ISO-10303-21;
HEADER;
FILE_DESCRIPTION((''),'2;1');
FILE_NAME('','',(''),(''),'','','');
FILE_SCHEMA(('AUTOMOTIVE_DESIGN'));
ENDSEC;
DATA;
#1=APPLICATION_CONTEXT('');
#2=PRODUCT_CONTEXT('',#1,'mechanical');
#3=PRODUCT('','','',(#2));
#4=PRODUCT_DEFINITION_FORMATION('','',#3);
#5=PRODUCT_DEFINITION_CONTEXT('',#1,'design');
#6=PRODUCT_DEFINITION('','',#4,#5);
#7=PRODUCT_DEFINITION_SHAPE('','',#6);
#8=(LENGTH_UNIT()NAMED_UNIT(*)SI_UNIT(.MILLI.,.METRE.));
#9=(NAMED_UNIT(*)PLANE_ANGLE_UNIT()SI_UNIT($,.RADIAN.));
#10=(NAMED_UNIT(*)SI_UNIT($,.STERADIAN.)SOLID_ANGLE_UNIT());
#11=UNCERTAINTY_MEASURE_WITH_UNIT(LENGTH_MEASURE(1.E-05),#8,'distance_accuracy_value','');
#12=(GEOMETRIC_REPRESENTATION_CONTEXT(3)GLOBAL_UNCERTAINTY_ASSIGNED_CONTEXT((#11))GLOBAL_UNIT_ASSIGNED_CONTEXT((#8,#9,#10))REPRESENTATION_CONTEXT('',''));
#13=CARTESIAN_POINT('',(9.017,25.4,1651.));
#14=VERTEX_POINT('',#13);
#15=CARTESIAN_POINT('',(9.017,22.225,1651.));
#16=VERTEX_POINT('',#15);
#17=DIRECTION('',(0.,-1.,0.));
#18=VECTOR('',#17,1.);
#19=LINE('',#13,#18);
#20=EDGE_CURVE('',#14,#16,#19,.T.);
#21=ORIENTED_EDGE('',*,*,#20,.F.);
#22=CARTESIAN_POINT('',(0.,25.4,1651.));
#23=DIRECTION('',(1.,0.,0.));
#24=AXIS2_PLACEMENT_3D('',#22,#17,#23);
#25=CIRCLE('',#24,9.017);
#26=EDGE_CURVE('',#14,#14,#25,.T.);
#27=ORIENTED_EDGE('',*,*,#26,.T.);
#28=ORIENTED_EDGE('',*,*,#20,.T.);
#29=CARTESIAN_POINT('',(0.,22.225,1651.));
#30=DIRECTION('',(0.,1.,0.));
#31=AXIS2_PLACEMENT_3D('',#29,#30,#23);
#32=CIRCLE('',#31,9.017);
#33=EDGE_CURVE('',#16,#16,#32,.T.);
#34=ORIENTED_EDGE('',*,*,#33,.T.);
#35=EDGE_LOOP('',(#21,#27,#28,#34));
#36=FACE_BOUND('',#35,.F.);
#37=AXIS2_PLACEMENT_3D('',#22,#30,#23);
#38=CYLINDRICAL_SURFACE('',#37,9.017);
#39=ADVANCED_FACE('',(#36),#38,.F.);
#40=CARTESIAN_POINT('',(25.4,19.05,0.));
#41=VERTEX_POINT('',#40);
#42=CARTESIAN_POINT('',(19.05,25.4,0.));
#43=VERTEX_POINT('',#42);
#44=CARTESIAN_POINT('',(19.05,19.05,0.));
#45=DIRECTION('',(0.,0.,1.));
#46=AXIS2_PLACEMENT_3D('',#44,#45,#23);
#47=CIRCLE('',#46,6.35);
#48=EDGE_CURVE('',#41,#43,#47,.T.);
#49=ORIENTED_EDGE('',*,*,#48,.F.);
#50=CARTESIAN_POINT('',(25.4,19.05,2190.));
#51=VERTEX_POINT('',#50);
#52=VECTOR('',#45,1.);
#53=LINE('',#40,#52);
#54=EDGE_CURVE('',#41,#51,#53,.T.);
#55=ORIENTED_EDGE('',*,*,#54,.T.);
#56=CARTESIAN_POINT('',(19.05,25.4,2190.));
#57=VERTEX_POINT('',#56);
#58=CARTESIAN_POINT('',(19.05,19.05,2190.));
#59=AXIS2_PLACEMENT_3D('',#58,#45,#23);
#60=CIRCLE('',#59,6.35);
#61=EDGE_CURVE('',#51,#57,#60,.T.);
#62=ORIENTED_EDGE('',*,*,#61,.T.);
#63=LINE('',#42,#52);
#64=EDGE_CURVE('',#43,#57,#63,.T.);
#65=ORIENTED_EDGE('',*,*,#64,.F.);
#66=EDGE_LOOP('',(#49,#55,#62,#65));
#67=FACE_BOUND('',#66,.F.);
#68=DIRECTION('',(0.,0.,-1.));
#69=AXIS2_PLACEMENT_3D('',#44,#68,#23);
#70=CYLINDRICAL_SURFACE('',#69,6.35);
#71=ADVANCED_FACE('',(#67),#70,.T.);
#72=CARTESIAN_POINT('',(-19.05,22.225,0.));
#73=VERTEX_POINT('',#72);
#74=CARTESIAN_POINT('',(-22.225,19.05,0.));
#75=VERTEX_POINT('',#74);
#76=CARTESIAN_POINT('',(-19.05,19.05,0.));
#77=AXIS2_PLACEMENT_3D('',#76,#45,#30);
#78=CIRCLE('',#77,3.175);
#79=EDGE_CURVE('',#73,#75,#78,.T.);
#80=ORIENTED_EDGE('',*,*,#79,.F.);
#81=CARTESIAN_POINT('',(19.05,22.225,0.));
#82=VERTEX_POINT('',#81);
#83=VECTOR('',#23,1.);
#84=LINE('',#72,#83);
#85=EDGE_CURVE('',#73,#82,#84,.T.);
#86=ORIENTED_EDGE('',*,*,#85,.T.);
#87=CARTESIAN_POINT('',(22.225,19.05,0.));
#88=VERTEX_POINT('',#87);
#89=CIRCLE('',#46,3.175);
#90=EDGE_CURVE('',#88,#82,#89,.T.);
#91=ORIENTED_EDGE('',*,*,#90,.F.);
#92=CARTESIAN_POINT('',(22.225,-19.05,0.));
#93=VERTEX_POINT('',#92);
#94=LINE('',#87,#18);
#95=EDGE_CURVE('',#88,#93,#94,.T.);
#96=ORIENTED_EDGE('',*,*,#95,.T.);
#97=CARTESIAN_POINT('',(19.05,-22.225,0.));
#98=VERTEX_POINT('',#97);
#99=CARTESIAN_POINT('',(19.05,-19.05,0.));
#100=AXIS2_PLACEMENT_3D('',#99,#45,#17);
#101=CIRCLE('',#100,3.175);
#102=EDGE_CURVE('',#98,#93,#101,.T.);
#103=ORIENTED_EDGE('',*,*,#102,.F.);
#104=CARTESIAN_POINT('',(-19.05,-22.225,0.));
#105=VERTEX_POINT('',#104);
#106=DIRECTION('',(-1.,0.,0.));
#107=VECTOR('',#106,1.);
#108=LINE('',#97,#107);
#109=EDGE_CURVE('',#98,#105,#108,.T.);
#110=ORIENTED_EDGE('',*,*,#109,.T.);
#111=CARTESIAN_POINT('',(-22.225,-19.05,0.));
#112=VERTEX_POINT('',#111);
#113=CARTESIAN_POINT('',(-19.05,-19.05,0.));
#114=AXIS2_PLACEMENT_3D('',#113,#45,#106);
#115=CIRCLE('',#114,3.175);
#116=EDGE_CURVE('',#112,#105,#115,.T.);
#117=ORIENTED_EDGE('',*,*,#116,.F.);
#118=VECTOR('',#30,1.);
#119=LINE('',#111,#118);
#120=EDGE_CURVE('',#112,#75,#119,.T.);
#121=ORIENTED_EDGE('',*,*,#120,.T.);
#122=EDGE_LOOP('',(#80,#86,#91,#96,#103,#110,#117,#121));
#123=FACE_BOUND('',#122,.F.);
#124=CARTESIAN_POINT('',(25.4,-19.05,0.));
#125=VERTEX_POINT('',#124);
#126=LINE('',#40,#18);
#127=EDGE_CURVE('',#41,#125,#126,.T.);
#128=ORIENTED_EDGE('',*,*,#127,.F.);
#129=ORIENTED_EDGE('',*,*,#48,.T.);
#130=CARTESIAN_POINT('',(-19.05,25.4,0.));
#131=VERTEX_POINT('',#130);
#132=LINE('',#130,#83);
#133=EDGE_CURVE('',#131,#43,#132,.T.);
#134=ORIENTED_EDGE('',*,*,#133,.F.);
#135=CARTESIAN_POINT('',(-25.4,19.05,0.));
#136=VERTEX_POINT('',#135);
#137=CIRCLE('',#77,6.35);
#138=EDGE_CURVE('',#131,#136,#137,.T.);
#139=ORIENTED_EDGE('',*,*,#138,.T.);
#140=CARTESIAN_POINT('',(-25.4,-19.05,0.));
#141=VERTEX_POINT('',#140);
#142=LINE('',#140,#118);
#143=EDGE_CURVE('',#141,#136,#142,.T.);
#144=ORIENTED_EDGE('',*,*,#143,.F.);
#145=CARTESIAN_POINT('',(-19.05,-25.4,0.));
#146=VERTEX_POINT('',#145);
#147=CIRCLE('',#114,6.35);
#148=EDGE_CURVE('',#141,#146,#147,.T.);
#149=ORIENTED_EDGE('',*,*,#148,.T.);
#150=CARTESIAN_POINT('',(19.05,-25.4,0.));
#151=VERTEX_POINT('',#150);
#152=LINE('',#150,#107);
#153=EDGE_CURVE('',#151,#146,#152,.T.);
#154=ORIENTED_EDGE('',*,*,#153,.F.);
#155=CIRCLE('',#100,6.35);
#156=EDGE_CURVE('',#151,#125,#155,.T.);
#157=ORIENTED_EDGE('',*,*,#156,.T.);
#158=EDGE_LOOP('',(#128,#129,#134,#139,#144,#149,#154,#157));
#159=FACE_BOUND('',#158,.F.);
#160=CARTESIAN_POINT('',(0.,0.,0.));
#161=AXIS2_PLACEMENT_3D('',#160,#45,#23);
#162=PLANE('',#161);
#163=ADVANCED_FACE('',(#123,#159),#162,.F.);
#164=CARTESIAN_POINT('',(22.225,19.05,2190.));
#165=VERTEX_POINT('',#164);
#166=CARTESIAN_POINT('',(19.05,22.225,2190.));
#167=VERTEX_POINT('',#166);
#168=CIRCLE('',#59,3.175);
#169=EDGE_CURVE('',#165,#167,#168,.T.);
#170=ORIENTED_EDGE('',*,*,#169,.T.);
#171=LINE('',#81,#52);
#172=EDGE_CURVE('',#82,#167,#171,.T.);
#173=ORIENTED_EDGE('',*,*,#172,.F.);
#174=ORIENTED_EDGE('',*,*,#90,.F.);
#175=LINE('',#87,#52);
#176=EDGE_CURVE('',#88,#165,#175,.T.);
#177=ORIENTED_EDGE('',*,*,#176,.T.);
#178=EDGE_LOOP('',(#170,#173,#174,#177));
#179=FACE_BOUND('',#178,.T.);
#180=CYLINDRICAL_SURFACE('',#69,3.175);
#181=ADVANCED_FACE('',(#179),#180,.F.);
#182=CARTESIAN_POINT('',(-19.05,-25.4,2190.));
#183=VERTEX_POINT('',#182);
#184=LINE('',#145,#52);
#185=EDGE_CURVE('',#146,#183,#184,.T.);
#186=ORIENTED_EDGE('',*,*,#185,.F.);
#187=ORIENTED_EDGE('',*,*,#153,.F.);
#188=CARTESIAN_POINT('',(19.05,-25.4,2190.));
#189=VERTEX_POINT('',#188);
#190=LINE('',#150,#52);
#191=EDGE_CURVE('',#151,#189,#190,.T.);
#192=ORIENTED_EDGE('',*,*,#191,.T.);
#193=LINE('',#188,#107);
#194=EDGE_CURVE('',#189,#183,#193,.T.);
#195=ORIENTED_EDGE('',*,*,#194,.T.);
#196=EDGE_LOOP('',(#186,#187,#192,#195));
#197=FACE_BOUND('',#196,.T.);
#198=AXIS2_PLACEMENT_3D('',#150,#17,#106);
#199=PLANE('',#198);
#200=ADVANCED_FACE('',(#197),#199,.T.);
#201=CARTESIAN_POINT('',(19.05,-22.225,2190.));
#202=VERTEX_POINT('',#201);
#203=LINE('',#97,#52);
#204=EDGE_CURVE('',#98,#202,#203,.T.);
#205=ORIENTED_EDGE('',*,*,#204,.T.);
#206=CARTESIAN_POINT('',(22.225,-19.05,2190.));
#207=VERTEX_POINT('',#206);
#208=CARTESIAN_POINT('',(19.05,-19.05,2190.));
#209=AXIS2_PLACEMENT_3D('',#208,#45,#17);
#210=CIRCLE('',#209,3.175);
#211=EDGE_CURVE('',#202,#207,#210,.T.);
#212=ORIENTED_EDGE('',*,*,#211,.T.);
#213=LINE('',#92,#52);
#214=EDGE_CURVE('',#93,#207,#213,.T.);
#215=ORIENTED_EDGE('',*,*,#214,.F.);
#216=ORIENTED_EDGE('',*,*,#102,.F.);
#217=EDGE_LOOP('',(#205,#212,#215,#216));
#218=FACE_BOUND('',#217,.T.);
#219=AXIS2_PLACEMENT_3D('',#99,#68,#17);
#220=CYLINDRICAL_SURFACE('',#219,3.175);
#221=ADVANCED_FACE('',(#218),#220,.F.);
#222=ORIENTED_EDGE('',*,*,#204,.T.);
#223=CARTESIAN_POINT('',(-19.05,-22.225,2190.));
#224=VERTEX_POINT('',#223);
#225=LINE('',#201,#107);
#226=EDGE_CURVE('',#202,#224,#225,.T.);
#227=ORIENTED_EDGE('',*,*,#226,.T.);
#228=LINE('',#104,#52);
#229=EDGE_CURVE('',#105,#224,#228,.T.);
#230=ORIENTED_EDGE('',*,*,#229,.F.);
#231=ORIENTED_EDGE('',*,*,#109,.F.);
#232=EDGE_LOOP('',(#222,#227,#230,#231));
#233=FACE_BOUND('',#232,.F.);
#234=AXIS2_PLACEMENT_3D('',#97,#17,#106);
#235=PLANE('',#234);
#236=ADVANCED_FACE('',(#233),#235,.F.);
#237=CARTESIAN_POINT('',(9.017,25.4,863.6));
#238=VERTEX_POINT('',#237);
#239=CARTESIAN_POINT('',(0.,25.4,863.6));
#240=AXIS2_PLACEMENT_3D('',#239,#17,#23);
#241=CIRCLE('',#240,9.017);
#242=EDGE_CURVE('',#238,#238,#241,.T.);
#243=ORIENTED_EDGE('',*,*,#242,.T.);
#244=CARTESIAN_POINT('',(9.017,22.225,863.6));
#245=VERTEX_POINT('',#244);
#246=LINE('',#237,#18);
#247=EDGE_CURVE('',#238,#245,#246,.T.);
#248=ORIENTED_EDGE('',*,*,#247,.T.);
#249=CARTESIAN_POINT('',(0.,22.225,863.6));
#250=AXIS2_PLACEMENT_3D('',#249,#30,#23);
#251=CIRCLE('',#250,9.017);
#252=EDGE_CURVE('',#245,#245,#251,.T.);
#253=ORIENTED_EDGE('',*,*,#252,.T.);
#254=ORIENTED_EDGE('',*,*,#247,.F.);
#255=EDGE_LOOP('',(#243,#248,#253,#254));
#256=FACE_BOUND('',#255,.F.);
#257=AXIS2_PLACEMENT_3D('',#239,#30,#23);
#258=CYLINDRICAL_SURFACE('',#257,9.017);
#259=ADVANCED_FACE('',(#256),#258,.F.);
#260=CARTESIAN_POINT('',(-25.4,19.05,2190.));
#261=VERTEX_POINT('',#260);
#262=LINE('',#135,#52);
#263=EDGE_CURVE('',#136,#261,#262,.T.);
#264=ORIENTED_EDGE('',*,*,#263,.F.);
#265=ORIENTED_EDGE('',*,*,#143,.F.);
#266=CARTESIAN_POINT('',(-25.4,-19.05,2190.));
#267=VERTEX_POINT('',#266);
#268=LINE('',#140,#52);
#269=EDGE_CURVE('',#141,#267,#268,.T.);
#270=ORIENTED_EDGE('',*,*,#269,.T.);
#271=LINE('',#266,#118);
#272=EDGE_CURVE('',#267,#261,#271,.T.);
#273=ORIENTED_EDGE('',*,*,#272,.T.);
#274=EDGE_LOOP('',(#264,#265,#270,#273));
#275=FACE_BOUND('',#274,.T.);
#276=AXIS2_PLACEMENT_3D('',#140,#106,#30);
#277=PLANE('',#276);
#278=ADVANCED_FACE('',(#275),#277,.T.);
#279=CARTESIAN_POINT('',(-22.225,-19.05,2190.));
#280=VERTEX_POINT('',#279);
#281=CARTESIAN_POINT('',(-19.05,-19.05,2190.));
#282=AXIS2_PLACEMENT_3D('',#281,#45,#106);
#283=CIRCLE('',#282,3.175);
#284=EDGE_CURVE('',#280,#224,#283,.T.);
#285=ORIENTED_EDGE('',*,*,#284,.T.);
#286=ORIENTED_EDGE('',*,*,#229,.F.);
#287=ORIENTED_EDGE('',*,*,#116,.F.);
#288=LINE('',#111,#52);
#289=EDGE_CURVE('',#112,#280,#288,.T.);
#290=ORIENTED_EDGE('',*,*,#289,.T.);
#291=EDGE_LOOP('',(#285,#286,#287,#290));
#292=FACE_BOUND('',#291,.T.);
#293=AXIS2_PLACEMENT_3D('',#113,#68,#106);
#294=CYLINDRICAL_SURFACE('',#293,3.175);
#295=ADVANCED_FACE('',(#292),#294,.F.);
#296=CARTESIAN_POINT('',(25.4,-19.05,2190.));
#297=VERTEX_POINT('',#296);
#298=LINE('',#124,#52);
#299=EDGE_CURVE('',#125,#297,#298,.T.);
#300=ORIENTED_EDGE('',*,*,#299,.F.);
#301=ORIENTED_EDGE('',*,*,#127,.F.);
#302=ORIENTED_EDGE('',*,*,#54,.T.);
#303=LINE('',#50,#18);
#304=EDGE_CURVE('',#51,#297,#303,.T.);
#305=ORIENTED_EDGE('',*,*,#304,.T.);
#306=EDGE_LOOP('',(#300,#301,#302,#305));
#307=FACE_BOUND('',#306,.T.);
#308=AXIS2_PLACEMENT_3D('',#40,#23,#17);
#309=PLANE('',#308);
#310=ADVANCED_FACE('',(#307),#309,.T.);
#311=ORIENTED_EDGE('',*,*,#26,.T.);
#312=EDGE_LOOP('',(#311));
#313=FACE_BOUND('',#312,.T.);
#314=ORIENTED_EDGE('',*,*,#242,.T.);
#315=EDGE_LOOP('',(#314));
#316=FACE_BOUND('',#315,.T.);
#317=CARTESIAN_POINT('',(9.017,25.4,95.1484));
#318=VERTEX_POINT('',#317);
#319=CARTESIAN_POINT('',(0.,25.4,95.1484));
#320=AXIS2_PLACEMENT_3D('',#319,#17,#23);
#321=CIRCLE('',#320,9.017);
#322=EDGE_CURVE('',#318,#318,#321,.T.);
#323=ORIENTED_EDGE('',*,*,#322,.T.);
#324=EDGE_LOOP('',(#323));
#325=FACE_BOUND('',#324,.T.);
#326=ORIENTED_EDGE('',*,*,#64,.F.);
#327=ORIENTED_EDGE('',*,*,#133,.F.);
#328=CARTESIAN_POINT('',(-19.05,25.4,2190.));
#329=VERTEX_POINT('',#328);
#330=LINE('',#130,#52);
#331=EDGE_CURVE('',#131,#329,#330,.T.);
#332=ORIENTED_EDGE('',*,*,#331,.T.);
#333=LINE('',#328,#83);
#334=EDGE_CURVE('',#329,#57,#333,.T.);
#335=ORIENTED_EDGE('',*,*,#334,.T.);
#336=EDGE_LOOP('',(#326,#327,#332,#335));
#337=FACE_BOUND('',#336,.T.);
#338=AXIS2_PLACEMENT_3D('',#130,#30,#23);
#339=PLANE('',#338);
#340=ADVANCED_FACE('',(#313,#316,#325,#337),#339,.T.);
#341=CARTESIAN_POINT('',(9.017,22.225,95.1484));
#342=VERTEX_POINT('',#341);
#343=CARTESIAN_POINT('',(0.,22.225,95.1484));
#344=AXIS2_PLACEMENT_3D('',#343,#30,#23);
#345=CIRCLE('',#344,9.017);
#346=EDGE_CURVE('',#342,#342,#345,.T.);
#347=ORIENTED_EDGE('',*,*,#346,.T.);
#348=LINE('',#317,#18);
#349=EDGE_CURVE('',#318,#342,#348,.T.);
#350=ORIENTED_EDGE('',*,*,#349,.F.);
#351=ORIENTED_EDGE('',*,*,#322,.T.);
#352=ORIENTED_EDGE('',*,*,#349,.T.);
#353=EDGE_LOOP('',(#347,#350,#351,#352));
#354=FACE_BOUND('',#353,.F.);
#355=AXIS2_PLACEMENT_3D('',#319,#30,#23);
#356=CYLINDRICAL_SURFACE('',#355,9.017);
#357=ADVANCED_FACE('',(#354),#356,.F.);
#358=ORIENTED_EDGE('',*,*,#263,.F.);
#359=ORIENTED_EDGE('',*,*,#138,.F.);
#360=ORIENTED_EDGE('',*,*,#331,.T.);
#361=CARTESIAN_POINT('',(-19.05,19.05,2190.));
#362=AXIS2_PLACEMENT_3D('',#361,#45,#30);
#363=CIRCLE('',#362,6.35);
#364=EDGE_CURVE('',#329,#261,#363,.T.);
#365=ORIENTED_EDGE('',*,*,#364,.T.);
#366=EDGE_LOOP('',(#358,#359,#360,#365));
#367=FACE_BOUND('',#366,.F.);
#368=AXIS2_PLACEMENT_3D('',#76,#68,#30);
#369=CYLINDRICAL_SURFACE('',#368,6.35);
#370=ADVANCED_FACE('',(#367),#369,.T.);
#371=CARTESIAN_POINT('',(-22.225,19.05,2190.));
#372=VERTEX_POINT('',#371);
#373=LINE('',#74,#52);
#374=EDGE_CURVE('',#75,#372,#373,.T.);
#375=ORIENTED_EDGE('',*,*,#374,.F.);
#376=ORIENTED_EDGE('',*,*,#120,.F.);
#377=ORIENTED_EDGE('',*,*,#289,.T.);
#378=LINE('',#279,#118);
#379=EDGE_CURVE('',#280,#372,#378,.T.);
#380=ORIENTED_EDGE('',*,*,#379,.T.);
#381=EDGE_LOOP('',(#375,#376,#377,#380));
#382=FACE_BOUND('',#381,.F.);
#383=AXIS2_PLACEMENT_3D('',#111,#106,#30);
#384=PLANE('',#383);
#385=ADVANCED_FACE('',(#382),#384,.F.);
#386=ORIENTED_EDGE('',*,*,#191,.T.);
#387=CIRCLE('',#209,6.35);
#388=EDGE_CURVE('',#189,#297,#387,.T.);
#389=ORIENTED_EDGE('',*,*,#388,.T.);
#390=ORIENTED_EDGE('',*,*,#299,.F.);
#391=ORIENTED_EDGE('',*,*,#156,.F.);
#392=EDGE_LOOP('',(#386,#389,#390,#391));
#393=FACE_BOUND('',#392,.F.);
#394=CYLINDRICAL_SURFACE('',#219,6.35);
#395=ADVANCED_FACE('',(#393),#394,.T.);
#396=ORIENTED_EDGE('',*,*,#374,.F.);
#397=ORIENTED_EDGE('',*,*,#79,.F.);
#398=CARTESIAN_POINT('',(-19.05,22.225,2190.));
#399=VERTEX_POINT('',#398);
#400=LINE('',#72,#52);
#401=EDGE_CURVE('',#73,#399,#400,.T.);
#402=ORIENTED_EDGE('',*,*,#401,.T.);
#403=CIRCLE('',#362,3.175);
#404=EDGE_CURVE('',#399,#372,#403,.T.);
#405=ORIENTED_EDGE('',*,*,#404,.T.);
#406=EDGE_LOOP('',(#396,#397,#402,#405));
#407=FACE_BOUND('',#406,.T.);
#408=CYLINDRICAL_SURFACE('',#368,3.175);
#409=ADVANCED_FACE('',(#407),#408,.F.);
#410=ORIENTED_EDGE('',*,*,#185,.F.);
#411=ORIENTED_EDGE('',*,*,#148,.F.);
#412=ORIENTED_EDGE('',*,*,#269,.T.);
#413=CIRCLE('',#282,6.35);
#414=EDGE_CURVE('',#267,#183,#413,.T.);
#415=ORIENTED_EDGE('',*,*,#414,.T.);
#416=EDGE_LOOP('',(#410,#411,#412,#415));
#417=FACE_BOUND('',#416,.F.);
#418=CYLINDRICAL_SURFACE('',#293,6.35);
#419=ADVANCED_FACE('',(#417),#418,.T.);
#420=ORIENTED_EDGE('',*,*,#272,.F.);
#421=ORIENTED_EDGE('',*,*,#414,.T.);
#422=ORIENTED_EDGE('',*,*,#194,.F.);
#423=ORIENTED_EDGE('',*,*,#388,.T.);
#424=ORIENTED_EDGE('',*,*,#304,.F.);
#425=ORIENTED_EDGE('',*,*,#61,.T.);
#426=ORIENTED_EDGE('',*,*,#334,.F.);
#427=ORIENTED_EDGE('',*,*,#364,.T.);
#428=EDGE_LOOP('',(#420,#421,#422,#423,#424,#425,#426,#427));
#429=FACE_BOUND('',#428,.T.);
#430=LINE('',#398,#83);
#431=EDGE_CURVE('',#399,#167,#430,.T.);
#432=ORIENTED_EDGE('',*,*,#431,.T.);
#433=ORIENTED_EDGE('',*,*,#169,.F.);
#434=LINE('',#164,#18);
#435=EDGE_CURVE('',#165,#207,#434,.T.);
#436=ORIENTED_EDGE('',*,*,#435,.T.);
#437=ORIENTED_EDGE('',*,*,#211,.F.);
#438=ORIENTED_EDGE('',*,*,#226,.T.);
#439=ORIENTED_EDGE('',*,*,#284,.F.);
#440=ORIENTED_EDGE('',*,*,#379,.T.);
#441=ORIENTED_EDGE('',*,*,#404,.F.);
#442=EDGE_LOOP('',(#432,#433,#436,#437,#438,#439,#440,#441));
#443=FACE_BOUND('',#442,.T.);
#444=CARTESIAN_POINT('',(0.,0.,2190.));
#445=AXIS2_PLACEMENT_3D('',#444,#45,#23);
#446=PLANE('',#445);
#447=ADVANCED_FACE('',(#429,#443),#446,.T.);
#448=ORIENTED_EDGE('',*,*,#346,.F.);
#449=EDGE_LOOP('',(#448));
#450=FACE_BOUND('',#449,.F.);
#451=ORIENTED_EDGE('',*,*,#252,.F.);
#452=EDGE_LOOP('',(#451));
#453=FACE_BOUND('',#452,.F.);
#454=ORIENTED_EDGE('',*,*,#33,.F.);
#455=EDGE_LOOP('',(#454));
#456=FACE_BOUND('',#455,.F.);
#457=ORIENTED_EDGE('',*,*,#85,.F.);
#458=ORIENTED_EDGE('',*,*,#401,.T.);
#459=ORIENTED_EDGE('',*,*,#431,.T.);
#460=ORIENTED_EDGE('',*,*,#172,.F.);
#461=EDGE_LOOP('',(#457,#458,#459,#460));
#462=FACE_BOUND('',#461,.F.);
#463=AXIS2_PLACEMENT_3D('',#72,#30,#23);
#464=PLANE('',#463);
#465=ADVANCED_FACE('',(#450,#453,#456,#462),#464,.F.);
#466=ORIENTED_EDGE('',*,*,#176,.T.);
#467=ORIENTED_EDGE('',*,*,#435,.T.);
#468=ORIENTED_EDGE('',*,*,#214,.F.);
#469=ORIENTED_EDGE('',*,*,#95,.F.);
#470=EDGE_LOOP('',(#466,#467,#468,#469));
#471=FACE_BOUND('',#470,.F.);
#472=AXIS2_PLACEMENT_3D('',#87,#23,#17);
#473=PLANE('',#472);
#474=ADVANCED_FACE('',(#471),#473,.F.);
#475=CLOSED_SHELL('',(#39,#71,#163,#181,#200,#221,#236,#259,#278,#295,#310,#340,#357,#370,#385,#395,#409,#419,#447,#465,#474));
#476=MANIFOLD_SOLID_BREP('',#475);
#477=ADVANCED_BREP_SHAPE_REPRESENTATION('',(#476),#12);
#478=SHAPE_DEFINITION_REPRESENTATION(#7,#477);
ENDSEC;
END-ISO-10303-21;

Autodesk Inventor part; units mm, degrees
ref_plane "YZ Plane" through (0, 0, 0) normal (1, 0, 0) x (0, 1, 0)
ref_plane "Plano inicial" through (0, 0, 0) normal (0, 0, 1) x (1, 0, 0)
ref_plane "Plano final" through (0, 0, 2190) normal (0, 0, 1) x (1, 0, 0)
sketch "Boceto" plane through (0, 0, 0) normal (0, 0, 1) x (1, 0, 0)
  line L0 (-25.4, -19.05) -> (-25.4, 19.05)
  line L1 (-19.05, 25.4) -> (19.05, 25.4)
  line L2 (25.4, 19.05) -> (25.4, -19.05)
  line L3 (19.05, -25.4) -> (-19.05, -25.4)
  arc A0 (-25.4, -19.05) -> (-19.05, -25.4) centre (-19.05, -19.05) ccw
  arc A1 (-19.05, 25.4) -> (-25.4, 19.05) centre (-19.05, 19.05) ccw
  arc A2 (25.4, 19.05) -> (19.05, 25.4) centre (19.05, 19.05) ccw
  arc A3 (19.05, -25.4) -> (25.4, -19.05) centre (19.05, -19.05) ccw
  arc A4 (-19.05, 22.225) -> (-22.225, 19.05) centre (-19.05, 19.05) ccw
  line L4 (-19.05, 22.225) -> (19.05, 22.225)
  arc A5 (22.225, 19.05) -> (19.05, 22.225) centre (19.05, 19.05) ccw
  line L5 (22.225, 19.05) -> (22.225, -19.05)
  arc A6 (19.05, -22.225) -> (22.225, -19.05) centre (19.05, -19.05) ccw
  line L6 (19.05, -22.225) -> (-19.05, -22.225)
  arc A7 (-22.225, -19.05) -> (-19.05, -22.225) centre (-19.05, -19.05) ccw
  line L7 (-22.225, -19.05) -> (-22.225, 19.05)
  line L8 (0, 37.4012) -> (0, -37.4012) construction
  line L9 (-37.4012, 0) -> (37.4012, 0) construction
  dimension "d10" = 50.8
  dimension "d11" = 50.8
  dimension "d12" = 3.175
  dimension "d15" = 25.4
  dimension "d16" = 25.4
  dimension "d17" = 6.35
extrude "Cuerpo" add sketch "Boceto" along normal up to surface (2190 mm away) from surface at 0
sketch "Sketch3" plane through (0, 0, 0) normal (0, 0, 1) x (1, 0, 0)
  line L0 (0, 0) -> (10, 0)
ref_plane "Work Plane3" through (0, 0, 0) normal (0, -1, 0) x (1, 0, 0)
sketch "Boceto5" plane through (19.05, 25.4, 2190) normal (0, 1, 0) x (1, 0, 0)
  line L0 (-19.05, 2190) -> (-19.05, 0)
  line L1 (-38.1, 2190) -> (-38.1, 0) projected
  circle A0 centre (-19.05, 2094.8516) radius 9.017
  circle A1 centre (-19.05, 1326.4) radius 9.017
  circle A2 centre (-19.05, 539) radius 9.017
  line L2 (-38.1, 2190) -> (0, 2190) projected
  point P0 (-19.05, 2190)
  point P1 (-19.05, 2190)
  point P2 (-19.05, 2190)
  dimension "d20" = 18.034
  dimension "d21" = 18.034
  dimension "d22" = 18.034
  dimension "d23" = 1651
  dimension "d24" = 863.6
  dimension "d25" = 95.1484
extrude "Extrusión2" cut sketch "Boceto5" against normal blind 19.05
sketch "Sketch4" plane through (0, 0, 0) normal (0, -1, 0) x (1, 0, 0)
  line L0 (-2, 0) -> (12, 0) projected
  line L1 (-2, 2190) -> (12, 2190) projected
  dimension "d19" = 2190
equation "\"d10\" = G_H"
equation "\"d11\" = G_W"
equation "\"d12\" = G_T"
equation "\"d15\" = 0.5 * d10"
equation "\"d16\" = 0.5 * d11"
equation "\"d17\" = G_IR"
equation "\"d3\" = G_L"
equation "\"G_W\" = 50.8"
equation "\"G_H\" = 50.8"
equation "\"G_T\" = 3.175"
equation "\"G_IR\" = 6.35"
equation "\"G_L\" = d19"
equation "\"G_OFFSET_START\" = 0"
equation "\"G_OFFSET_END\" = 0"
equation "\"d14\" = G_OFFSET_END + B_L"
equation "\"B_L\" = 2190"
properties part number "AISC - 2 x 2 x 1/8 - 86,22" material "Acero, suave"
